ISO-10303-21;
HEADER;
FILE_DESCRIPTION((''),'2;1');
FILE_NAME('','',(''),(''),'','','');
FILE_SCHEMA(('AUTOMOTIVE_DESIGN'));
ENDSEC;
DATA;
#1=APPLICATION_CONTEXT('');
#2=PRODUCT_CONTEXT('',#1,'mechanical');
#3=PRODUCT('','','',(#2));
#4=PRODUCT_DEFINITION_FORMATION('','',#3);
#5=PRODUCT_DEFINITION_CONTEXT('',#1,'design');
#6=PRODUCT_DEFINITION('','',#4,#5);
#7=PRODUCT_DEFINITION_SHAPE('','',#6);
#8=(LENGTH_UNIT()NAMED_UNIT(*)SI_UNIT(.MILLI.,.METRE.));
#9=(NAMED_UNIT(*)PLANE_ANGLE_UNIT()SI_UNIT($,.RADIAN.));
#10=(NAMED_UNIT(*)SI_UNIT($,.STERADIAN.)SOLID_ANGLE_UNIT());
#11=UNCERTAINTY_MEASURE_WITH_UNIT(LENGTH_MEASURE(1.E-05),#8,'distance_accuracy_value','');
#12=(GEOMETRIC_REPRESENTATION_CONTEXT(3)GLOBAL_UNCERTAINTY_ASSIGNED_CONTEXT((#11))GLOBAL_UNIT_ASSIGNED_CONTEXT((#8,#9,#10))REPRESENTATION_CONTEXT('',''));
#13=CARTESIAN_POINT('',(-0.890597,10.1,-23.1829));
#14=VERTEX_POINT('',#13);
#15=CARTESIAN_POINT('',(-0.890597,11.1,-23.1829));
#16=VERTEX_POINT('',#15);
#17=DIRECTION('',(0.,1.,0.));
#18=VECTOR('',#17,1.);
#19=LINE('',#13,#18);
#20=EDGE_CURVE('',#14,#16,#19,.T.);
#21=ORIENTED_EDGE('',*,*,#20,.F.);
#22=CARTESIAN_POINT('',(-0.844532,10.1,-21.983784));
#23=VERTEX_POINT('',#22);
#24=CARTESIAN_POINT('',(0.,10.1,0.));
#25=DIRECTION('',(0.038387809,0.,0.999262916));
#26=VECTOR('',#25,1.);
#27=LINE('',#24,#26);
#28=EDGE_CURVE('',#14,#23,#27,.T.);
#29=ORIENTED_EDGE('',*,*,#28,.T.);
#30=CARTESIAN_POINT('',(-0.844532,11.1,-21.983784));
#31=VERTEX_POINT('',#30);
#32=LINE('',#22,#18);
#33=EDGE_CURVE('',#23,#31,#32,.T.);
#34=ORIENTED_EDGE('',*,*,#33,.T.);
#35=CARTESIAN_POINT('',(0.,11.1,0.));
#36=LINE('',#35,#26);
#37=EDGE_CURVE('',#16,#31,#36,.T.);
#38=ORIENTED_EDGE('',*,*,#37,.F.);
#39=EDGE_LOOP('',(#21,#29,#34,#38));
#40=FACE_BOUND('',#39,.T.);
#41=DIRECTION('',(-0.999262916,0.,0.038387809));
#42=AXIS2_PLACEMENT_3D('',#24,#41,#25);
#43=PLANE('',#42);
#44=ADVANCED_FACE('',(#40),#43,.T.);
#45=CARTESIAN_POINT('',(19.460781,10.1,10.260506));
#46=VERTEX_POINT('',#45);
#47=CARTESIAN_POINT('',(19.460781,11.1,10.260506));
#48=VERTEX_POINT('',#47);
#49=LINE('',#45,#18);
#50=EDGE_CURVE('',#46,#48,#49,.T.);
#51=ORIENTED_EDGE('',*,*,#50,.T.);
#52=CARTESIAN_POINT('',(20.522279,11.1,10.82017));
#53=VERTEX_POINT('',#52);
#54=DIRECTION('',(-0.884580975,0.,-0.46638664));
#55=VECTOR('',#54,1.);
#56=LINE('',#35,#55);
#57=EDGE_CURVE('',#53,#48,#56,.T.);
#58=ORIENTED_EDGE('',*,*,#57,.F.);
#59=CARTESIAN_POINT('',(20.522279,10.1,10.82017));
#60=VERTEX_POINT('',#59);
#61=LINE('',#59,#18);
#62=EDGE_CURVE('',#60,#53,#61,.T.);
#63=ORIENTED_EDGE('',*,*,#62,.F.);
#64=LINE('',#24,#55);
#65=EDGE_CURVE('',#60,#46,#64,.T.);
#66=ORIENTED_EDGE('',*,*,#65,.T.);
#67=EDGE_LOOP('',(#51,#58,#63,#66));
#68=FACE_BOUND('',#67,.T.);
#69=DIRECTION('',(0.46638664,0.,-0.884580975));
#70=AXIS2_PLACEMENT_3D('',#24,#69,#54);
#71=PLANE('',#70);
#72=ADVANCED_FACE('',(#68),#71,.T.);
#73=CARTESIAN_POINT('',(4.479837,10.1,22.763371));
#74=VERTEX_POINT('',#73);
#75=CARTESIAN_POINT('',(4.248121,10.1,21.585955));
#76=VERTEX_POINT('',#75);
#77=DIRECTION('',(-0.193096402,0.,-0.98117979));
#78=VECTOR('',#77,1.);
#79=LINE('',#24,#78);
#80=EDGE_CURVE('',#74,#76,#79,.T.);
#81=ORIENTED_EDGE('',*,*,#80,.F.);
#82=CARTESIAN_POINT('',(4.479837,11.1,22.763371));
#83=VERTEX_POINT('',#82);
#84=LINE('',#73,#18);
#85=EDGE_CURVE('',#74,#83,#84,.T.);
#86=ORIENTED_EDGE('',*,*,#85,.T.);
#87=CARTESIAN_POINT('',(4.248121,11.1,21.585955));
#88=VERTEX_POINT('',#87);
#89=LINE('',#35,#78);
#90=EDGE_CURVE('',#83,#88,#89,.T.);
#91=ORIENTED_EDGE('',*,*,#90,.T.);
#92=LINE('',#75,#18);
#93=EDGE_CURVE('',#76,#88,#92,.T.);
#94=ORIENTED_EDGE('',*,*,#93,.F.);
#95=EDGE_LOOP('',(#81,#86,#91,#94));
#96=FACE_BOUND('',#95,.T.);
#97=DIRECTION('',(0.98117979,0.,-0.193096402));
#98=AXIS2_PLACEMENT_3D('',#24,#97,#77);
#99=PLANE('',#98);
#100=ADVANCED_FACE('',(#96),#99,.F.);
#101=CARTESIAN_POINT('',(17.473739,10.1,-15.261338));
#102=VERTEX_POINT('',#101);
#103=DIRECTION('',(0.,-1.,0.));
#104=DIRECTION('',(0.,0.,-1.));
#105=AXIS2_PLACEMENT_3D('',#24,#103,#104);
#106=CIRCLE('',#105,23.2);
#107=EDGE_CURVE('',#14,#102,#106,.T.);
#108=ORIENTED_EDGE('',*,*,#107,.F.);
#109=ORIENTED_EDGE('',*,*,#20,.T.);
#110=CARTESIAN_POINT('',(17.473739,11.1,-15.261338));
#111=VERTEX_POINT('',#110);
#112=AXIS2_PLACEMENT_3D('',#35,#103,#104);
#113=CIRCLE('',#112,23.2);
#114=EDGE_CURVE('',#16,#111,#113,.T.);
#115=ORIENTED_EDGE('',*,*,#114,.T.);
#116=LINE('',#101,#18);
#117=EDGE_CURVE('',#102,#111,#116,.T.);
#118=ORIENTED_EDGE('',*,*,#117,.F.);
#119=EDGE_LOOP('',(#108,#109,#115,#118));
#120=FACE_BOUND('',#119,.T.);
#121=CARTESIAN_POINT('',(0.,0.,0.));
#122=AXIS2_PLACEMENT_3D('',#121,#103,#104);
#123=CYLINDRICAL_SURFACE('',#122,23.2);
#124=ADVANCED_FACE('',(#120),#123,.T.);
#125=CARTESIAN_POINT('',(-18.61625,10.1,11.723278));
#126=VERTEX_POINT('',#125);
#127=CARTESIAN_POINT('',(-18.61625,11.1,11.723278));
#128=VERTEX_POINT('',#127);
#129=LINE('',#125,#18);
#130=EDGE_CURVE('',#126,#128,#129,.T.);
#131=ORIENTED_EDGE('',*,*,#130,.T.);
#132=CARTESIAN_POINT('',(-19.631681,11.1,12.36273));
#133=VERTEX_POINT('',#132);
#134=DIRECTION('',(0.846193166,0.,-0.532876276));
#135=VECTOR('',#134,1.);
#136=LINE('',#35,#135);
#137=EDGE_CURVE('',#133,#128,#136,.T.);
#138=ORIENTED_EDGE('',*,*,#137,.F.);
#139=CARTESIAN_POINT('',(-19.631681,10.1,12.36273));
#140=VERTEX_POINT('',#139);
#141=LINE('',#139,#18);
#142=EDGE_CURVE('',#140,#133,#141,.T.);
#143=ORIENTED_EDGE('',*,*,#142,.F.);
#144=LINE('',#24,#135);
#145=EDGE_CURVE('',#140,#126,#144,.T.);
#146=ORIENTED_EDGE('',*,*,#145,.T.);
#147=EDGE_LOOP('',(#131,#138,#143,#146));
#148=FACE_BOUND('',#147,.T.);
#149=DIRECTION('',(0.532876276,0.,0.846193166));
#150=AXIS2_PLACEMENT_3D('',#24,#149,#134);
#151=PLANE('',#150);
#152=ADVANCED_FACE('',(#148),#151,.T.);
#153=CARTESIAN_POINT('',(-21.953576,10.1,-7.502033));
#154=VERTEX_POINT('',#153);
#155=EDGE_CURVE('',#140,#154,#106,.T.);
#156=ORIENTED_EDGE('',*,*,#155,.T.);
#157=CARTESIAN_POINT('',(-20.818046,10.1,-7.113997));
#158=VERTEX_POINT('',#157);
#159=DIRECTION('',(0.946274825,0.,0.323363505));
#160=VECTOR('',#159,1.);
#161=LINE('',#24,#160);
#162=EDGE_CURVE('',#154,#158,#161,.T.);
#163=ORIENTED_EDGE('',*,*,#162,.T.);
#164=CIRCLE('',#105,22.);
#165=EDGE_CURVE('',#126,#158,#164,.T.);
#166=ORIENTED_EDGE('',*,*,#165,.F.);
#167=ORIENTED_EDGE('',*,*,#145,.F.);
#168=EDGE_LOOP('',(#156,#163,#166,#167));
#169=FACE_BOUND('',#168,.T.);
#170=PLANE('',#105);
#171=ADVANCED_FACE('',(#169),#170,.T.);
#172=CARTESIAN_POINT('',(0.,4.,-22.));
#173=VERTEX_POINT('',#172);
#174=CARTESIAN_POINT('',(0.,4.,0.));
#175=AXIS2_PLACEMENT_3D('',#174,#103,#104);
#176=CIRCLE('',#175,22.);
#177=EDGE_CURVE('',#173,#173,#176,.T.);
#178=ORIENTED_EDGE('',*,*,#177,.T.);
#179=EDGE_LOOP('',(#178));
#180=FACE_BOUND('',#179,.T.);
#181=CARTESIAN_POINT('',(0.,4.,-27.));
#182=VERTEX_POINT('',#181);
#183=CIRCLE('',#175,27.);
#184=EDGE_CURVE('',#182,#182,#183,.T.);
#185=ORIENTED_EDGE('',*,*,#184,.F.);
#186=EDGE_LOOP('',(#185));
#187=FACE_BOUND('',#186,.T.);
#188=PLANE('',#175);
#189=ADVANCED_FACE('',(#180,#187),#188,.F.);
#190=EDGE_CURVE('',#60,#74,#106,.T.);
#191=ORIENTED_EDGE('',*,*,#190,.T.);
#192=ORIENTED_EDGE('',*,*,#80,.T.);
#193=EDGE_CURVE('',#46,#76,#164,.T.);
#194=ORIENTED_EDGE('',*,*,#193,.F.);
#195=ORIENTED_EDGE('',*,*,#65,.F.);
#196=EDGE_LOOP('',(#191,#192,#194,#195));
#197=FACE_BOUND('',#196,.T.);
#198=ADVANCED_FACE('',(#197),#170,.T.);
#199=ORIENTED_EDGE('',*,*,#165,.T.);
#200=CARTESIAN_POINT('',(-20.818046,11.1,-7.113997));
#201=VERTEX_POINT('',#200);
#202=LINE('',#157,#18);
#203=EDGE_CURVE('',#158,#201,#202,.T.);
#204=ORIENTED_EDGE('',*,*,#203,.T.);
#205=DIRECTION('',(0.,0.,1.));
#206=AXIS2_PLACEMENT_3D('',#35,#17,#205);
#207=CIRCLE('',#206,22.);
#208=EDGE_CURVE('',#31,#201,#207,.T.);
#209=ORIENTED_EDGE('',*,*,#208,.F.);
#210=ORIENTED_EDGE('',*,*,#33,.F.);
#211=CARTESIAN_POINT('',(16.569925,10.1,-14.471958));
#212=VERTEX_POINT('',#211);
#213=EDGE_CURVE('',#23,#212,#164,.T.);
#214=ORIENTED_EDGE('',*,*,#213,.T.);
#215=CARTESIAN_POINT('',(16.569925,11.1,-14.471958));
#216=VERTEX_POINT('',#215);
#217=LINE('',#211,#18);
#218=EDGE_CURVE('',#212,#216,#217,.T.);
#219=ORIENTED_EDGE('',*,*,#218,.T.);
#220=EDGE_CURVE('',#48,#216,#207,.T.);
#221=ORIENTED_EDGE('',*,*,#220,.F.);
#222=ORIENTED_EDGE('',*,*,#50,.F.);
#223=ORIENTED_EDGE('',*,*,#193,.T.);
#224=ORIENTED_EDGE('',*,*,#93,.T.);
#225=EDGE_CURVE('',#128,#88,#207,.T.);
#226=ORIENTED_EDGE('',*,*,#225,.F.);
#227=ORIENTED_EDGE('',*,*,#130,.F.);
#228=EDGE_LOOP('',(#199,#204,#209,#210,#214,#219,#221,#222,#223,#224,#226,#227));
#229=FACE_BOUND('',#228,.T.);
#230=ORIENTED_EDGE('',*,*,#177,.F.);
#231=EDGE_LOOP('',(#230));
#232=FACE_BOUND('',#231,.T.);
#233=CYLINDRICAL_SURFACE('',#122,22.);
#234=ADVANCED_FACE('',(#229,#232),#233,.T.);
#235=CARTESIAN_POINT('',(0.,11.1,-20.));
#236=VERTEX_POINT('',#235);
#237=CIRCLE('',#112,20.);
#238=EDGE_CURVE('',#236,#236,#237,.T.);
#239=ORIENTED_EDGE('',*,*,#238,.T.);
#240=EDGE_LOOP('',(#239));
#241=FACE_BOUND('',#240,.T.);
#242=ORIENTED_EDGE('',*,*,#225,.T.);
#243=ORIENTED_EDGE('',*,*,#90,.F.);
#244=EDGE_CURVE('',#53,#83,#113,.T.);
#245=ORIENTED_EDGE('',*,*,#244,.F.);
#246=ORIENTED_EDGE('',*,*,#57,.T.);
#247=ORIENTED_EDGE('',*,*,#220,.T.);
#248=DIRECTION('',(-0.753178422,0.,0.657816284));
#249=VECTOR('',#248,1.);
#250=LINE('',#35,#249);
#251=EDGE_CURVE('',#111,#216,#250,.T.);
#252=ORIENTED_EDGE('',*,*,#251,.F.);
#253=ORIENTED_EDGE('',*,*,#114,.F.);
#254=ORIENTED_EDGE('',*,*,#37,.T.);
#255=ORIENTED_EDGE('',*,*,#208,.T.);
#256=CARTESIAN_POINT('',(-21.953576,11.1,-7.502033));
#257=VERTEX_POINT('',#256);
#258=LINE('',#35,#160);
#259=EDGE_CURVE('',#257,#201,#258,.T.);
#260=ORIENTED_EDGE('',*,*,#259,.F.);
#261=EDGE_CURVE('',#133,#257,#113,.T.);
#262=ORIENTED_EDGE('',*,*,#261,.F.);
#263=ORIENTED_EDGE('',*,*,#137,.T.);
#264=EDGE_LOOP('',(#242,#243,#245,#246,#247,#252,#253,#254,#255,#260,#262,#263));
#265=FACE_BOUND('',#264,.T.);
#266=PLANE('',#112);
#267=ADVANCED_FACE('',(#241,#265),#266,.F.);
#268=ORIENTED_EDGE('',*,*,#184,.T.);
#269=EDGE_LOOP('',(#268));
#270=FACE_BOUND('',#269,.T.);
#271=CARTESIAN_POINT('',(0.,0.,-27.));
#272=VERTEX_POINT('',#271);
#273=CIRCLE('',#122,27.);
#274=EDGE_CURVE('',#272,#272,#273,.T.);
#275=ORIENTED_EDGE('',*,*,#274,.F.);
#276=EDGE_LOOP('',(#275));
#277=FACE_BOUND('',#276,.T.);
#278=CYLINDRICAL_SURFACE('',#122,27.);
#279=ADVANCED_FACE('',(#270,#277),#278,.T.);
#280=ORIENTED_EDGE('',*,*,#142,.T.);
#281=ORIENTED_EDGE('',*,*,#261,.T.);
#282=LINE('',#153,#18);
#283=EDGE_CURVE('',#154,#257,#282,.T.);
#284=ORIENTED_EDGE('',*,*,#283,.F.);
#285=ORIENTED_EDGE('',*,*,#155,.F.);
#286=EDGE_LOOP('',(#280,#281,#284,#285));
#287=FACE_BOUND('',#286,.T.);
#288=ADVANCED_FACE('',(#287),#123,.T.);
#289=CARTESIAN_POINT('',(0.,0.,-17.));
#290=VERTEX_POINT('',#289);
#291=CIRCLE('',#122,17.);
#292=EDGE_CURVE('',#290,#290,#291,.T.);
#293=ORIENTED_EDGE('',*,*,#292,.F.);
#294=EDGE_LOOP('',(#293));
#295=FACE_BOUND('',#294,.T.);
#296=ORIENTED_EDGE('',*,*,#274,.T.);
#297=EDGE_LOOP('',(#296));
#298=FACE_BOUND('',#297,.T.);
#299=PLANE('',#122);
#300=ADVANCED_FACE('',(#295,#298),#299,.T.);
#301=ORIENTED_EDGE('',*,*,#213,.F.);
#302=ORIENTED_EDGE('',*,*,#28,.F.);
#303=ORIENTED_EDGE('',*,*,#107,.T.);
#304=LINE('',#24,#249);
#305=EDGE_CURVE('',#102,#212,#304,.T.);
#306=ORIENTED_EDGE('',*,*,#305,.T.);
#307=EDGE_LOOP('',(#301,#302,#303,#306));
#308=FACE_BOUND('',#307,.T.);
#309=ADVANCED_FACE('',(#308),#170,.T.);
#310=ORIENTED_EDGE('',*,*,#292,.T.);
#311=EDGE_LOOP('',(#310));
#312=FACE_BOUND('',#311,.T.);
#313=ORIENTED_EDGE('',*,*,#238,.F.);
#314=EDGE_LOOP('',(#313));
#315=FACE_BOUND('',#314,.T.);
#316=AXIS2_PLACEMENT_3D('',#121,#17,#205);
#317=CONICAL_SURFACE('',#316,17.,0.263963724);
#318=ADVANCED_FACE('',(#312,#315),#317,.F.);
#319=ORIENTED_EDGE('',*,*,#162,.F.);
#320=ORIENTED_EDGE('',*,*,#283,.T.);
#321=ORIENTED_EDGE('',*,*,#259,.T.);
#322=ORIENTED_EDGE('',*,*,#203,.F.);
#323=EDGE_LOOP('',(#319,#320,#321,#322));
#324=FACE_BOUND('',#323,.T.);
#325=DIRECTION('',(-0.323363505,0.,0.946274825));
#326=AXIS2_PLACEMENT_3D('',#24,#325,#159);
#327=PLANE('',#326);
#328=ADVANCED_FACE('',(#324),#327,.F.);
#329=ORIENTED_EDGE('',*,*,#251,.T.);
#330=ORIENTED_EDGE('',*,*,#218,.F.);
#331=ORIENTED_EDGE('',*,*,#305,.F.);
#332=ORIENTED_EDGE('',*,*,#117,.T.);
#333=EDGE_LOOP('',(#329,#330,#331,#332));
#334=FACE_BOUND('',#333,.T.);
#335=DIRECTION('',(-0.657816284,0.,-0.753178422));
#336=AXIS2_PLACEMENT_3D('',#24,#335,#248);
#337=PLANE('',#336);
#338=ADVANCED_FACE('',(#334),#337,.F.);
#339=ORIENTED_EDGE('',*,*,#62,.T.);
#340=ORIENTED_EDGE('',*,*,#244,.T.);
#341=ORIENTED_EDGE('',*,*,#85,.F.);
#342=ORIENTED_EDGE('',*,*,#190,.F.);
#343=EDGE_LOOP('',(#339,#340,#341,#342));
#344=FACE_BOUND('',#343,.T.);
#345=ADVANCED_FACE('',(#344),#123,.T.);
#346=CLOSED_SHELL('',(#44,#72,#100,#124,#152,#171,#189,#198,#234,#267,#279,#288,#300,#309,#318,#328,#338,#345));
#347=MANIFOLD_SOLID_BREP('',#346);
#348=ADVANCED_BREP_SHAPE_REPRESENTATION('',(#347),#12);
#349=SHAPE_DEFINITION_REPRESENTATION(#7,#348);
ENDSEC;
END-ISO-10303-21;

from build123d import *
from build123d.topology import SkipClean

# Parameters (mm, degrees)
SKETCH1_W          = 2
SKETCH1_H          = 11.1
SKETCH1_W_2        = 5
SKETCH1_H_2        = 4
SKETCH1_W_3        = 1.2
SKETCH1_H_3        = 1
CUT_EXTRUDE1_DEPTH = 1


with BuildPart() as part:
    # Sketch1 → Revolve1 (revolve)
    with BuildSketch(Plane.XY, mode=Mode.PRIVATE) as revolve1_sk:
        with Locations((21, 5.55)):
            Rectangle(SKETCH1_W, SKETCH1_H)
        with Locations((24.5, 2)):
            Rectangle(SKETCH1_W_2, SKETCH1_H_2)
        with Locations((22.6, 10.6)):
            Rectangle(SKETCH1_W_3, SKETCH1_H_3)
        Polygon((17, 0), (20, 11.1), (20, 0), align=None)
    revolve(revolve1_sk.sketch.rotate(Axis((0, 0, 0), (0, 1, 0)), 90), axis=Axis((0, 0, 0), (0, 1, 0)))  # turned: the seam where the file's is

    # Sketch3 → Cut-Extrude1 (cut)
    with SkipClean():  # keep this step's faces unmerged: merging them makes the solid invalid here
        with BuildSketch(Plane(origin=(0, 11.1, 0), x_dir=(1, 0, 0), z_dir=(0, 1, 0))):
            with BuildLine():
                ThreePointArc((23.2, 0), (21.721311586, 8.150130242), (17.473739399, 15.261337799))
                Line((17.473739399, 15.261337799), (16.569925293, 14.471958257))
                ThreePointArc((16.569925293, 14.471958257), (20.59779547, 7.728571782), (22, 0))
                ThreePointArc((22, 0), (21.355762595, -5.285016934), (19.460781455, -10.260506087))
                Line((19.460781455, -10.260506087), (20.522278625, -10.820170056))
                ThreePointArc((20.522278625, -10.820170056), (22.520622373, -5.573290585), (23.2, 0))
            make_face()
            with BuildLine():
                Line((-18.616249655, -11.723278074), (-19.631681454, -12.362729605))
                ThreePointArc((-19.631681454, -12.362729605), (-9.18901176, -21.302630421), (4.47983653, -22.763371118))
                Line((4.47983653, -22.763371118), (4.248120847, -21.585955371))
                ThreePointArc((4.248120847, -21.585955371), (-8.713718048, -20.200770227), (-18.616249655, -11.723278074))
            make_face()
            with BuildLine():
                Line((-0.8445318, 21.983784161), (-0.890597171, 23.182899661))
                ThreePointArc((-0.890597171, 23.182899661), (-13.854113232, 18.609232831), (-21.953575929, 7.50203332))
                Line((-21.953575929, 7.50203332), (-20.81804614, 7.113997113))
                ThreePointArc((-20.81804614, 7.113997113), (-13.137521169, 17.646686305), (-0.8445318, 21.983784161))
            make_face()
        extrude(amount=-CUT_EXTRUDE1_DEPTH, mode=Mode.SUBTRACT)


solid = part.part
